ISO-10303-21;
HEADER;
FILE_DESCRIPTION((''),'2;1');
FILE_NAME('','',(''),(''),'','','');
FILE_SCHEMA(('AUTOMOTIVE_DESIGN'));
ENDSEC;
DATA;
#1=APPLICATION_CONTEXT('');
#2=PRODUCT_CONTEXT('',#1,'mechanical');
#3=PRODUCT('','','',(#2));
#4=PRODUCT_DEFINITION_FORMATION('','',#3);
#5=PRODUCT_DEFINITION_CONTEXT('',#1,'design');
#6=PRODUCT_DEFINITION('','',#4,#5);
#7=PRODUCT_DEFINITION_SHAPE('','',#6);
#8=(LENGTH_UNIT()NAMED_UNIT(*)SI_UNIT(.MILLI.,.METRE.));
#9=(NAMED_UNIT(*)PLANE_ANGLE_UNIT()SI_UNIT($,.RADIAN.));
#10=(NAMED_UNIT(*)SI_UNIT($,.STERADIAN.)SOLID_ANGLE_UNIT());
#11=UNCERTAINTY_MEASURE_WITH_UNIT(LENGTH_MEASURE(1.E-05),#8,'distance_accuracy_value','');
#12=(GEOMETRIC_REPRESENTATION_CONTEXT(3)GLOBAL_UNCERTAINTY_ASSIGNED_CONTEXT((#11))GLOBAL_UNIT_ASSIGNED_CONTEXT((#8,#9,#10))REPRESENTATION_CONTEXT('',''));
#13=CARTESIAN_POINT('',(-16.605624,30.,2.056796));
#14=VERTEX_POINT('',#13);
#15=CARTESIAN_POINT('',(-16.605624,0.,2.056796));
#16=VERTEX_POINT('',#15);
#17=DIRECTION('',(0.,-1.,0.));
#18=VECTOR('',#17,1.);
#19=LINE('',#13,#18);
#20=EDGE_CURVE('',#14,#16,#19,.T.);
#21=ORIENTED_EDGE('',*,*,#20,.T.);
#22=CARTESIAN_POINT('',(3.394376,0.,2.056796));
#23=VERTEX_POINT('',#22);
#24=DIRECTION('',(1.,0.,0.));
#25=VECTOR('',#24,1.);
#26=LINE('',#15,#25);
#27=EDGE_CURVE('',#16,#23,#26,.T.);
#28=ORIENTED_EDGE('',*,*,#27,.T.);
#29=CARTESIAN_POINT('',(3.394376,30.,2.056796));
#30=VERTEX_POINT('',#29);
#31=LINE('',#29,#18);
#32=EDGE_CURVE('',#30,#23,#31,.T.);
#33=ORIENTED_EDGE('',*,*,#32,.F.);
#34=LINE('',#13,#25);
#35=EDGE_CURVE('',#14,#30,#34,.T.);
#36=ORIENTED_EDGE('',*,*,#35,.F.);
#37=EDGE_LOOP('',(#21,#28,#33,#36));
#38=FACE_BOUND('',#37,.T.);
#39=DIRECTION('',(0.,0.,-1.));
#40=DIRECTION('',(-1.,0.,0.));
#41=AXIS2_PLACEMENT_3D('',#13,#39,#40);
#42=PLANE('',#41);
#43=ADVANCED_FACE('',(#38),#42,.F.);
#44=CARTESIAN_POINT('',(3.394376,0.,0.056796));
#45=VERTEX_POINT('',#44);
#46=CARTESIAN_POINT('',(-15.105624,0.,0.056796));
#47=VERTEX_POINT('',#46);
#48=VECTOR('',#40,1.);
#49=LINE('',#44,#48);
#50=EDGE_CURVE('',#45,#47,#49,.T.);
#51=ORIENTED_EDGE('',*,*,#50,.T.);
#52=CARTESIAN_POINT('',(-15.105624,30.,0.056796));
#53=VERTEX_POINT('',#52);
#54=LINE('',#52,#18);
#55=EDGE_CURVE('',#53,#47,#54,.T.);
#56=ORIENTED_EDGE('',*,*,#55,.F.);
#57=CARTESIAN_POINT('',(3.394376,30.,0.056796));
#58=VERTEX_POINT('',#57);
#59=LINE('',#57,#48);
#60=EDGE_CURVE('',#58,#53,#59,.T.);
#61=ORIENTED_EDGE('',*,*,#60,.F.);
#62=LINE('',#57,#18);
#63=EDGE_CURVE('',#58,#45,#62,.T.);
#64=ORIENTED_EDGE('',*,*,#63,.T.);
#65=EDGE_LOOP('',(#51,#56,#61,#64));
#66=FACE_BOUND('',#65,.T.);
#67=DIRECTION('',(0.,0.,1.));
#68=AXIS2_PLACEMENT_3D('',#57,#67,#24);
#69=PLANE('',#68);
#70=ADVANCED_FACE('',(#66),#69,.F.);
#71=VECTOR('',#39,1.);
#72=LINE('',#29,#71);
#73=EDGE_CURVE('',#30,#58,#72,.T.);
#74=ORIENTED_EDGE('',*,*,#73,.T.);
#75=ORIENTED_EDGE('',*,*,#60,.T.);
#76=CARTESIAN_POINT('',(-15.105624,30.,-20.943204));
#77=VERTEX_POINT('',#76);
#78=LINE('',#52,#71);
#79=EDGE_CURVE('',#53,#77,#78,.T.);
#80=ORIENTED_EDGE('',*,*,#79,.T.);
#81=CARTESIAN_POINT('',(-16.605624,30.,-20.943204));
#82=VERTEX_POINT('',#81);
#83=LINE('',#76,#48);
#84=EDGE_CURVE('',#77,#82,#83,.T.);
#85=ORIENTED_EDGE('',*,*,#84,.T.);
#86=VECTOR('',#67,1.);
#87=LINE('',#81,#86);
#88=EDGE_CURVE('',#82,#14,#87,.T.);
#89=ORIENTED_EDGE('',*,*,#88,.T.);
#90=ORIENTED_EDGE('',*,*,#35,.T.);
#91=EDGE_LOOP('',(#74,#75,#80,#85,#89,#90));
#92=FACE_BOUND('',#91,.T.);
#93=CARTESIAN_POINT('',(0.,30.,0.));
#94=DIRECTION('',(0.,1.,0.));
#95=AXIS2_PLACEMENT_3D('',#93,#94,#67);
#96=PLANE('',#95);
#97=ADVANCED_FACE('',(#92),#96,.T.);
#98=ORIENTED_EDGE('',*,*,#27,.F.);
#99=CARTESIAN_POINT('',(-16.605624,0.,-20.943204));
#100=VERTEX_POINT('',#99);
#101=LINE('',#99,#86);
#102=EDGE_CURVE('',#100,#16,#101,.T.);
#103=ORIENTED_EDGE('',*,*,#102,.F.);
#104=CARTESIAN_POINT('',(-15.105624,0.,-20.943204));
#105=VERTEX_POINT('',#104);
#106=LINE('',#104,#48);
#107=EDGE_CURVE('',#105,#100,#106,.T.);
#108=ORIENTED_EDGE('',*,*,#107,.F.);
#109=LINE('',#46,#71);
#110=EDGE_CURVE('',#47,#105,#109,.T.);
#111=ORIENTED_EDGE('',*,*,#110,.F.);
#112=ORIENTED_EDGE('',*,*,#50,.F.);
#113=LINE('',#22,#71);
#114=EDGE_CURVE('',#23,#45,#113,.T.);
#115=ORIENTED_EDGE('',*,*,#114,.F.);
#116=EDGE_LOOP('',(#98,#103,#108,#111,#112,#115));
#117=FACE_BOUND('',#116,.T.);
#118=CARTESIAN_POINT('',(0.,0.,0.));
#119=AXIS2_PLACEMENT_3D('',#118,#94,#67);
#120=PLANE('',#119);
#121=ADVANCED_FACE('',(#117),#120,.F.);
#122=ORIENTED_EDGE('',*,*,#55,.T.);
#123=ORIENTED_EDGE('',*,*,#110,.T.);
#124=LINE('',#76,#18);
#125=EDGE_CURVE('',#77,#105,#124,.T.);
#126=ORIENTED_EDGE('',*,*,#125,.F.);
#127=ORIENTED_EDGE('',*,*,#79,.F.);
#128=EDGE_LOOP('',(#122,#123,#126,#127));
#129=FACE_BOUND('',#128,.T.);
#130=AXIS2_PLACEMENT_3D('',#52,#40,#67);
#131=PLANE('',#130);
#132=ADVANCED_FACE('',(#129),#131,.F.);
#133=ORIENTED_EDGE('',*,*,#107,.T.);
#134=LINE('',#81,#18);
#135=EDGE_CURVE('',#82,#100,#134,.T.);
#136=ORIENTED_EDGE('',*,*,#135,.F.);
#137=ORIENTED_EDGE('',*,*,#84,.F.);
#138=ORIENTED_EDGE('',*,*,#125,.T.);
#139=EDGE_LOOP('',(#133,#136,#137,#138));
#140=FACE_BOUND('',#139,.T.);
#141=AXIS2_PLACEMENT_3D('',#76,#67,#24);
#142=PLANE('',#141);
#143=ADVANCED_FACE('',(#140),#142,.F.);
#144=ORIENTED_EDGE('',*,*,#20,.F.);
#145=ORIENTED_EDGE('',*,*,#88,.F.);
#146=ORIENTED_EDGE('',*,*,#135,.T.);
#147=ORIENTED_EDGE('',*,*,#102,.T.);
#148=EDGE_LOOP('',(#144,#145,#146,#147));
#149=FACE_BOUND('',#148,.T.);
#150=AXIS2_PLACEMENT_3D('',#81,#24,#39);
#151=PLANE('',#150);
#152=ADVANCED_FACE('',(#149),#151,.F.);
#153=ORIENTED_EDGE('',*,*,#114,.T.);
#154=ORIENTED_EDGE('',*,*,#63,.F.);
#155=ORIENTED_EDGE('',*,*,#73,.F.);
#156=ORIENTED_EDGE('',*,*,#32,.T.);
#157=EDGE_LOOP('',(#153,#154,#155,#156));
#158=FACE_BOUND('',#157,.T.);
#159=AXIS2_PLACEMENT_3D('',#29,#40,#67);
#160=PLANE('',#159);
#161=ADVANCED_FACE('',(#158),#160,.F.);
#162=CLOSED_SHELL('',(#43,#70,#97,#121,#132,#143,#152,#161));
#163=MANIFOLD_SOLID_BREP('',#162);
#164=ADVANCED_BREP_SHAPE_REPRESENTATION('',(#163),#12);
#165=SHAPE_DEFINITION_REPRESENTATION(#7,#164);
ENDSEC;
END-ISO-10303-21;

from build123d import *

# Parameters (mm, degrees)
EXTRUDE_1_DEPTH = 30


with BuildPart() as part:
    # 草图1 → 凸台-拉伸1 (new body)
    with BuildSketch(Plane(origin=(0, 0, 0), x_dir=(1, 0, 0), z_dir=(0, 1, 0))):
        Polygon((-16.605624487, 20.943203819), (-16.605624487, -2.056796181), (3.394375513, -2.056796181), (3.394375513, -0.056796181), (-15.105624487, -0.056796181), (-15.105624487, 20.943203819), align=None)
    extrude(amount=EXTRUDE_1_DEPTH)


solid = part.part
